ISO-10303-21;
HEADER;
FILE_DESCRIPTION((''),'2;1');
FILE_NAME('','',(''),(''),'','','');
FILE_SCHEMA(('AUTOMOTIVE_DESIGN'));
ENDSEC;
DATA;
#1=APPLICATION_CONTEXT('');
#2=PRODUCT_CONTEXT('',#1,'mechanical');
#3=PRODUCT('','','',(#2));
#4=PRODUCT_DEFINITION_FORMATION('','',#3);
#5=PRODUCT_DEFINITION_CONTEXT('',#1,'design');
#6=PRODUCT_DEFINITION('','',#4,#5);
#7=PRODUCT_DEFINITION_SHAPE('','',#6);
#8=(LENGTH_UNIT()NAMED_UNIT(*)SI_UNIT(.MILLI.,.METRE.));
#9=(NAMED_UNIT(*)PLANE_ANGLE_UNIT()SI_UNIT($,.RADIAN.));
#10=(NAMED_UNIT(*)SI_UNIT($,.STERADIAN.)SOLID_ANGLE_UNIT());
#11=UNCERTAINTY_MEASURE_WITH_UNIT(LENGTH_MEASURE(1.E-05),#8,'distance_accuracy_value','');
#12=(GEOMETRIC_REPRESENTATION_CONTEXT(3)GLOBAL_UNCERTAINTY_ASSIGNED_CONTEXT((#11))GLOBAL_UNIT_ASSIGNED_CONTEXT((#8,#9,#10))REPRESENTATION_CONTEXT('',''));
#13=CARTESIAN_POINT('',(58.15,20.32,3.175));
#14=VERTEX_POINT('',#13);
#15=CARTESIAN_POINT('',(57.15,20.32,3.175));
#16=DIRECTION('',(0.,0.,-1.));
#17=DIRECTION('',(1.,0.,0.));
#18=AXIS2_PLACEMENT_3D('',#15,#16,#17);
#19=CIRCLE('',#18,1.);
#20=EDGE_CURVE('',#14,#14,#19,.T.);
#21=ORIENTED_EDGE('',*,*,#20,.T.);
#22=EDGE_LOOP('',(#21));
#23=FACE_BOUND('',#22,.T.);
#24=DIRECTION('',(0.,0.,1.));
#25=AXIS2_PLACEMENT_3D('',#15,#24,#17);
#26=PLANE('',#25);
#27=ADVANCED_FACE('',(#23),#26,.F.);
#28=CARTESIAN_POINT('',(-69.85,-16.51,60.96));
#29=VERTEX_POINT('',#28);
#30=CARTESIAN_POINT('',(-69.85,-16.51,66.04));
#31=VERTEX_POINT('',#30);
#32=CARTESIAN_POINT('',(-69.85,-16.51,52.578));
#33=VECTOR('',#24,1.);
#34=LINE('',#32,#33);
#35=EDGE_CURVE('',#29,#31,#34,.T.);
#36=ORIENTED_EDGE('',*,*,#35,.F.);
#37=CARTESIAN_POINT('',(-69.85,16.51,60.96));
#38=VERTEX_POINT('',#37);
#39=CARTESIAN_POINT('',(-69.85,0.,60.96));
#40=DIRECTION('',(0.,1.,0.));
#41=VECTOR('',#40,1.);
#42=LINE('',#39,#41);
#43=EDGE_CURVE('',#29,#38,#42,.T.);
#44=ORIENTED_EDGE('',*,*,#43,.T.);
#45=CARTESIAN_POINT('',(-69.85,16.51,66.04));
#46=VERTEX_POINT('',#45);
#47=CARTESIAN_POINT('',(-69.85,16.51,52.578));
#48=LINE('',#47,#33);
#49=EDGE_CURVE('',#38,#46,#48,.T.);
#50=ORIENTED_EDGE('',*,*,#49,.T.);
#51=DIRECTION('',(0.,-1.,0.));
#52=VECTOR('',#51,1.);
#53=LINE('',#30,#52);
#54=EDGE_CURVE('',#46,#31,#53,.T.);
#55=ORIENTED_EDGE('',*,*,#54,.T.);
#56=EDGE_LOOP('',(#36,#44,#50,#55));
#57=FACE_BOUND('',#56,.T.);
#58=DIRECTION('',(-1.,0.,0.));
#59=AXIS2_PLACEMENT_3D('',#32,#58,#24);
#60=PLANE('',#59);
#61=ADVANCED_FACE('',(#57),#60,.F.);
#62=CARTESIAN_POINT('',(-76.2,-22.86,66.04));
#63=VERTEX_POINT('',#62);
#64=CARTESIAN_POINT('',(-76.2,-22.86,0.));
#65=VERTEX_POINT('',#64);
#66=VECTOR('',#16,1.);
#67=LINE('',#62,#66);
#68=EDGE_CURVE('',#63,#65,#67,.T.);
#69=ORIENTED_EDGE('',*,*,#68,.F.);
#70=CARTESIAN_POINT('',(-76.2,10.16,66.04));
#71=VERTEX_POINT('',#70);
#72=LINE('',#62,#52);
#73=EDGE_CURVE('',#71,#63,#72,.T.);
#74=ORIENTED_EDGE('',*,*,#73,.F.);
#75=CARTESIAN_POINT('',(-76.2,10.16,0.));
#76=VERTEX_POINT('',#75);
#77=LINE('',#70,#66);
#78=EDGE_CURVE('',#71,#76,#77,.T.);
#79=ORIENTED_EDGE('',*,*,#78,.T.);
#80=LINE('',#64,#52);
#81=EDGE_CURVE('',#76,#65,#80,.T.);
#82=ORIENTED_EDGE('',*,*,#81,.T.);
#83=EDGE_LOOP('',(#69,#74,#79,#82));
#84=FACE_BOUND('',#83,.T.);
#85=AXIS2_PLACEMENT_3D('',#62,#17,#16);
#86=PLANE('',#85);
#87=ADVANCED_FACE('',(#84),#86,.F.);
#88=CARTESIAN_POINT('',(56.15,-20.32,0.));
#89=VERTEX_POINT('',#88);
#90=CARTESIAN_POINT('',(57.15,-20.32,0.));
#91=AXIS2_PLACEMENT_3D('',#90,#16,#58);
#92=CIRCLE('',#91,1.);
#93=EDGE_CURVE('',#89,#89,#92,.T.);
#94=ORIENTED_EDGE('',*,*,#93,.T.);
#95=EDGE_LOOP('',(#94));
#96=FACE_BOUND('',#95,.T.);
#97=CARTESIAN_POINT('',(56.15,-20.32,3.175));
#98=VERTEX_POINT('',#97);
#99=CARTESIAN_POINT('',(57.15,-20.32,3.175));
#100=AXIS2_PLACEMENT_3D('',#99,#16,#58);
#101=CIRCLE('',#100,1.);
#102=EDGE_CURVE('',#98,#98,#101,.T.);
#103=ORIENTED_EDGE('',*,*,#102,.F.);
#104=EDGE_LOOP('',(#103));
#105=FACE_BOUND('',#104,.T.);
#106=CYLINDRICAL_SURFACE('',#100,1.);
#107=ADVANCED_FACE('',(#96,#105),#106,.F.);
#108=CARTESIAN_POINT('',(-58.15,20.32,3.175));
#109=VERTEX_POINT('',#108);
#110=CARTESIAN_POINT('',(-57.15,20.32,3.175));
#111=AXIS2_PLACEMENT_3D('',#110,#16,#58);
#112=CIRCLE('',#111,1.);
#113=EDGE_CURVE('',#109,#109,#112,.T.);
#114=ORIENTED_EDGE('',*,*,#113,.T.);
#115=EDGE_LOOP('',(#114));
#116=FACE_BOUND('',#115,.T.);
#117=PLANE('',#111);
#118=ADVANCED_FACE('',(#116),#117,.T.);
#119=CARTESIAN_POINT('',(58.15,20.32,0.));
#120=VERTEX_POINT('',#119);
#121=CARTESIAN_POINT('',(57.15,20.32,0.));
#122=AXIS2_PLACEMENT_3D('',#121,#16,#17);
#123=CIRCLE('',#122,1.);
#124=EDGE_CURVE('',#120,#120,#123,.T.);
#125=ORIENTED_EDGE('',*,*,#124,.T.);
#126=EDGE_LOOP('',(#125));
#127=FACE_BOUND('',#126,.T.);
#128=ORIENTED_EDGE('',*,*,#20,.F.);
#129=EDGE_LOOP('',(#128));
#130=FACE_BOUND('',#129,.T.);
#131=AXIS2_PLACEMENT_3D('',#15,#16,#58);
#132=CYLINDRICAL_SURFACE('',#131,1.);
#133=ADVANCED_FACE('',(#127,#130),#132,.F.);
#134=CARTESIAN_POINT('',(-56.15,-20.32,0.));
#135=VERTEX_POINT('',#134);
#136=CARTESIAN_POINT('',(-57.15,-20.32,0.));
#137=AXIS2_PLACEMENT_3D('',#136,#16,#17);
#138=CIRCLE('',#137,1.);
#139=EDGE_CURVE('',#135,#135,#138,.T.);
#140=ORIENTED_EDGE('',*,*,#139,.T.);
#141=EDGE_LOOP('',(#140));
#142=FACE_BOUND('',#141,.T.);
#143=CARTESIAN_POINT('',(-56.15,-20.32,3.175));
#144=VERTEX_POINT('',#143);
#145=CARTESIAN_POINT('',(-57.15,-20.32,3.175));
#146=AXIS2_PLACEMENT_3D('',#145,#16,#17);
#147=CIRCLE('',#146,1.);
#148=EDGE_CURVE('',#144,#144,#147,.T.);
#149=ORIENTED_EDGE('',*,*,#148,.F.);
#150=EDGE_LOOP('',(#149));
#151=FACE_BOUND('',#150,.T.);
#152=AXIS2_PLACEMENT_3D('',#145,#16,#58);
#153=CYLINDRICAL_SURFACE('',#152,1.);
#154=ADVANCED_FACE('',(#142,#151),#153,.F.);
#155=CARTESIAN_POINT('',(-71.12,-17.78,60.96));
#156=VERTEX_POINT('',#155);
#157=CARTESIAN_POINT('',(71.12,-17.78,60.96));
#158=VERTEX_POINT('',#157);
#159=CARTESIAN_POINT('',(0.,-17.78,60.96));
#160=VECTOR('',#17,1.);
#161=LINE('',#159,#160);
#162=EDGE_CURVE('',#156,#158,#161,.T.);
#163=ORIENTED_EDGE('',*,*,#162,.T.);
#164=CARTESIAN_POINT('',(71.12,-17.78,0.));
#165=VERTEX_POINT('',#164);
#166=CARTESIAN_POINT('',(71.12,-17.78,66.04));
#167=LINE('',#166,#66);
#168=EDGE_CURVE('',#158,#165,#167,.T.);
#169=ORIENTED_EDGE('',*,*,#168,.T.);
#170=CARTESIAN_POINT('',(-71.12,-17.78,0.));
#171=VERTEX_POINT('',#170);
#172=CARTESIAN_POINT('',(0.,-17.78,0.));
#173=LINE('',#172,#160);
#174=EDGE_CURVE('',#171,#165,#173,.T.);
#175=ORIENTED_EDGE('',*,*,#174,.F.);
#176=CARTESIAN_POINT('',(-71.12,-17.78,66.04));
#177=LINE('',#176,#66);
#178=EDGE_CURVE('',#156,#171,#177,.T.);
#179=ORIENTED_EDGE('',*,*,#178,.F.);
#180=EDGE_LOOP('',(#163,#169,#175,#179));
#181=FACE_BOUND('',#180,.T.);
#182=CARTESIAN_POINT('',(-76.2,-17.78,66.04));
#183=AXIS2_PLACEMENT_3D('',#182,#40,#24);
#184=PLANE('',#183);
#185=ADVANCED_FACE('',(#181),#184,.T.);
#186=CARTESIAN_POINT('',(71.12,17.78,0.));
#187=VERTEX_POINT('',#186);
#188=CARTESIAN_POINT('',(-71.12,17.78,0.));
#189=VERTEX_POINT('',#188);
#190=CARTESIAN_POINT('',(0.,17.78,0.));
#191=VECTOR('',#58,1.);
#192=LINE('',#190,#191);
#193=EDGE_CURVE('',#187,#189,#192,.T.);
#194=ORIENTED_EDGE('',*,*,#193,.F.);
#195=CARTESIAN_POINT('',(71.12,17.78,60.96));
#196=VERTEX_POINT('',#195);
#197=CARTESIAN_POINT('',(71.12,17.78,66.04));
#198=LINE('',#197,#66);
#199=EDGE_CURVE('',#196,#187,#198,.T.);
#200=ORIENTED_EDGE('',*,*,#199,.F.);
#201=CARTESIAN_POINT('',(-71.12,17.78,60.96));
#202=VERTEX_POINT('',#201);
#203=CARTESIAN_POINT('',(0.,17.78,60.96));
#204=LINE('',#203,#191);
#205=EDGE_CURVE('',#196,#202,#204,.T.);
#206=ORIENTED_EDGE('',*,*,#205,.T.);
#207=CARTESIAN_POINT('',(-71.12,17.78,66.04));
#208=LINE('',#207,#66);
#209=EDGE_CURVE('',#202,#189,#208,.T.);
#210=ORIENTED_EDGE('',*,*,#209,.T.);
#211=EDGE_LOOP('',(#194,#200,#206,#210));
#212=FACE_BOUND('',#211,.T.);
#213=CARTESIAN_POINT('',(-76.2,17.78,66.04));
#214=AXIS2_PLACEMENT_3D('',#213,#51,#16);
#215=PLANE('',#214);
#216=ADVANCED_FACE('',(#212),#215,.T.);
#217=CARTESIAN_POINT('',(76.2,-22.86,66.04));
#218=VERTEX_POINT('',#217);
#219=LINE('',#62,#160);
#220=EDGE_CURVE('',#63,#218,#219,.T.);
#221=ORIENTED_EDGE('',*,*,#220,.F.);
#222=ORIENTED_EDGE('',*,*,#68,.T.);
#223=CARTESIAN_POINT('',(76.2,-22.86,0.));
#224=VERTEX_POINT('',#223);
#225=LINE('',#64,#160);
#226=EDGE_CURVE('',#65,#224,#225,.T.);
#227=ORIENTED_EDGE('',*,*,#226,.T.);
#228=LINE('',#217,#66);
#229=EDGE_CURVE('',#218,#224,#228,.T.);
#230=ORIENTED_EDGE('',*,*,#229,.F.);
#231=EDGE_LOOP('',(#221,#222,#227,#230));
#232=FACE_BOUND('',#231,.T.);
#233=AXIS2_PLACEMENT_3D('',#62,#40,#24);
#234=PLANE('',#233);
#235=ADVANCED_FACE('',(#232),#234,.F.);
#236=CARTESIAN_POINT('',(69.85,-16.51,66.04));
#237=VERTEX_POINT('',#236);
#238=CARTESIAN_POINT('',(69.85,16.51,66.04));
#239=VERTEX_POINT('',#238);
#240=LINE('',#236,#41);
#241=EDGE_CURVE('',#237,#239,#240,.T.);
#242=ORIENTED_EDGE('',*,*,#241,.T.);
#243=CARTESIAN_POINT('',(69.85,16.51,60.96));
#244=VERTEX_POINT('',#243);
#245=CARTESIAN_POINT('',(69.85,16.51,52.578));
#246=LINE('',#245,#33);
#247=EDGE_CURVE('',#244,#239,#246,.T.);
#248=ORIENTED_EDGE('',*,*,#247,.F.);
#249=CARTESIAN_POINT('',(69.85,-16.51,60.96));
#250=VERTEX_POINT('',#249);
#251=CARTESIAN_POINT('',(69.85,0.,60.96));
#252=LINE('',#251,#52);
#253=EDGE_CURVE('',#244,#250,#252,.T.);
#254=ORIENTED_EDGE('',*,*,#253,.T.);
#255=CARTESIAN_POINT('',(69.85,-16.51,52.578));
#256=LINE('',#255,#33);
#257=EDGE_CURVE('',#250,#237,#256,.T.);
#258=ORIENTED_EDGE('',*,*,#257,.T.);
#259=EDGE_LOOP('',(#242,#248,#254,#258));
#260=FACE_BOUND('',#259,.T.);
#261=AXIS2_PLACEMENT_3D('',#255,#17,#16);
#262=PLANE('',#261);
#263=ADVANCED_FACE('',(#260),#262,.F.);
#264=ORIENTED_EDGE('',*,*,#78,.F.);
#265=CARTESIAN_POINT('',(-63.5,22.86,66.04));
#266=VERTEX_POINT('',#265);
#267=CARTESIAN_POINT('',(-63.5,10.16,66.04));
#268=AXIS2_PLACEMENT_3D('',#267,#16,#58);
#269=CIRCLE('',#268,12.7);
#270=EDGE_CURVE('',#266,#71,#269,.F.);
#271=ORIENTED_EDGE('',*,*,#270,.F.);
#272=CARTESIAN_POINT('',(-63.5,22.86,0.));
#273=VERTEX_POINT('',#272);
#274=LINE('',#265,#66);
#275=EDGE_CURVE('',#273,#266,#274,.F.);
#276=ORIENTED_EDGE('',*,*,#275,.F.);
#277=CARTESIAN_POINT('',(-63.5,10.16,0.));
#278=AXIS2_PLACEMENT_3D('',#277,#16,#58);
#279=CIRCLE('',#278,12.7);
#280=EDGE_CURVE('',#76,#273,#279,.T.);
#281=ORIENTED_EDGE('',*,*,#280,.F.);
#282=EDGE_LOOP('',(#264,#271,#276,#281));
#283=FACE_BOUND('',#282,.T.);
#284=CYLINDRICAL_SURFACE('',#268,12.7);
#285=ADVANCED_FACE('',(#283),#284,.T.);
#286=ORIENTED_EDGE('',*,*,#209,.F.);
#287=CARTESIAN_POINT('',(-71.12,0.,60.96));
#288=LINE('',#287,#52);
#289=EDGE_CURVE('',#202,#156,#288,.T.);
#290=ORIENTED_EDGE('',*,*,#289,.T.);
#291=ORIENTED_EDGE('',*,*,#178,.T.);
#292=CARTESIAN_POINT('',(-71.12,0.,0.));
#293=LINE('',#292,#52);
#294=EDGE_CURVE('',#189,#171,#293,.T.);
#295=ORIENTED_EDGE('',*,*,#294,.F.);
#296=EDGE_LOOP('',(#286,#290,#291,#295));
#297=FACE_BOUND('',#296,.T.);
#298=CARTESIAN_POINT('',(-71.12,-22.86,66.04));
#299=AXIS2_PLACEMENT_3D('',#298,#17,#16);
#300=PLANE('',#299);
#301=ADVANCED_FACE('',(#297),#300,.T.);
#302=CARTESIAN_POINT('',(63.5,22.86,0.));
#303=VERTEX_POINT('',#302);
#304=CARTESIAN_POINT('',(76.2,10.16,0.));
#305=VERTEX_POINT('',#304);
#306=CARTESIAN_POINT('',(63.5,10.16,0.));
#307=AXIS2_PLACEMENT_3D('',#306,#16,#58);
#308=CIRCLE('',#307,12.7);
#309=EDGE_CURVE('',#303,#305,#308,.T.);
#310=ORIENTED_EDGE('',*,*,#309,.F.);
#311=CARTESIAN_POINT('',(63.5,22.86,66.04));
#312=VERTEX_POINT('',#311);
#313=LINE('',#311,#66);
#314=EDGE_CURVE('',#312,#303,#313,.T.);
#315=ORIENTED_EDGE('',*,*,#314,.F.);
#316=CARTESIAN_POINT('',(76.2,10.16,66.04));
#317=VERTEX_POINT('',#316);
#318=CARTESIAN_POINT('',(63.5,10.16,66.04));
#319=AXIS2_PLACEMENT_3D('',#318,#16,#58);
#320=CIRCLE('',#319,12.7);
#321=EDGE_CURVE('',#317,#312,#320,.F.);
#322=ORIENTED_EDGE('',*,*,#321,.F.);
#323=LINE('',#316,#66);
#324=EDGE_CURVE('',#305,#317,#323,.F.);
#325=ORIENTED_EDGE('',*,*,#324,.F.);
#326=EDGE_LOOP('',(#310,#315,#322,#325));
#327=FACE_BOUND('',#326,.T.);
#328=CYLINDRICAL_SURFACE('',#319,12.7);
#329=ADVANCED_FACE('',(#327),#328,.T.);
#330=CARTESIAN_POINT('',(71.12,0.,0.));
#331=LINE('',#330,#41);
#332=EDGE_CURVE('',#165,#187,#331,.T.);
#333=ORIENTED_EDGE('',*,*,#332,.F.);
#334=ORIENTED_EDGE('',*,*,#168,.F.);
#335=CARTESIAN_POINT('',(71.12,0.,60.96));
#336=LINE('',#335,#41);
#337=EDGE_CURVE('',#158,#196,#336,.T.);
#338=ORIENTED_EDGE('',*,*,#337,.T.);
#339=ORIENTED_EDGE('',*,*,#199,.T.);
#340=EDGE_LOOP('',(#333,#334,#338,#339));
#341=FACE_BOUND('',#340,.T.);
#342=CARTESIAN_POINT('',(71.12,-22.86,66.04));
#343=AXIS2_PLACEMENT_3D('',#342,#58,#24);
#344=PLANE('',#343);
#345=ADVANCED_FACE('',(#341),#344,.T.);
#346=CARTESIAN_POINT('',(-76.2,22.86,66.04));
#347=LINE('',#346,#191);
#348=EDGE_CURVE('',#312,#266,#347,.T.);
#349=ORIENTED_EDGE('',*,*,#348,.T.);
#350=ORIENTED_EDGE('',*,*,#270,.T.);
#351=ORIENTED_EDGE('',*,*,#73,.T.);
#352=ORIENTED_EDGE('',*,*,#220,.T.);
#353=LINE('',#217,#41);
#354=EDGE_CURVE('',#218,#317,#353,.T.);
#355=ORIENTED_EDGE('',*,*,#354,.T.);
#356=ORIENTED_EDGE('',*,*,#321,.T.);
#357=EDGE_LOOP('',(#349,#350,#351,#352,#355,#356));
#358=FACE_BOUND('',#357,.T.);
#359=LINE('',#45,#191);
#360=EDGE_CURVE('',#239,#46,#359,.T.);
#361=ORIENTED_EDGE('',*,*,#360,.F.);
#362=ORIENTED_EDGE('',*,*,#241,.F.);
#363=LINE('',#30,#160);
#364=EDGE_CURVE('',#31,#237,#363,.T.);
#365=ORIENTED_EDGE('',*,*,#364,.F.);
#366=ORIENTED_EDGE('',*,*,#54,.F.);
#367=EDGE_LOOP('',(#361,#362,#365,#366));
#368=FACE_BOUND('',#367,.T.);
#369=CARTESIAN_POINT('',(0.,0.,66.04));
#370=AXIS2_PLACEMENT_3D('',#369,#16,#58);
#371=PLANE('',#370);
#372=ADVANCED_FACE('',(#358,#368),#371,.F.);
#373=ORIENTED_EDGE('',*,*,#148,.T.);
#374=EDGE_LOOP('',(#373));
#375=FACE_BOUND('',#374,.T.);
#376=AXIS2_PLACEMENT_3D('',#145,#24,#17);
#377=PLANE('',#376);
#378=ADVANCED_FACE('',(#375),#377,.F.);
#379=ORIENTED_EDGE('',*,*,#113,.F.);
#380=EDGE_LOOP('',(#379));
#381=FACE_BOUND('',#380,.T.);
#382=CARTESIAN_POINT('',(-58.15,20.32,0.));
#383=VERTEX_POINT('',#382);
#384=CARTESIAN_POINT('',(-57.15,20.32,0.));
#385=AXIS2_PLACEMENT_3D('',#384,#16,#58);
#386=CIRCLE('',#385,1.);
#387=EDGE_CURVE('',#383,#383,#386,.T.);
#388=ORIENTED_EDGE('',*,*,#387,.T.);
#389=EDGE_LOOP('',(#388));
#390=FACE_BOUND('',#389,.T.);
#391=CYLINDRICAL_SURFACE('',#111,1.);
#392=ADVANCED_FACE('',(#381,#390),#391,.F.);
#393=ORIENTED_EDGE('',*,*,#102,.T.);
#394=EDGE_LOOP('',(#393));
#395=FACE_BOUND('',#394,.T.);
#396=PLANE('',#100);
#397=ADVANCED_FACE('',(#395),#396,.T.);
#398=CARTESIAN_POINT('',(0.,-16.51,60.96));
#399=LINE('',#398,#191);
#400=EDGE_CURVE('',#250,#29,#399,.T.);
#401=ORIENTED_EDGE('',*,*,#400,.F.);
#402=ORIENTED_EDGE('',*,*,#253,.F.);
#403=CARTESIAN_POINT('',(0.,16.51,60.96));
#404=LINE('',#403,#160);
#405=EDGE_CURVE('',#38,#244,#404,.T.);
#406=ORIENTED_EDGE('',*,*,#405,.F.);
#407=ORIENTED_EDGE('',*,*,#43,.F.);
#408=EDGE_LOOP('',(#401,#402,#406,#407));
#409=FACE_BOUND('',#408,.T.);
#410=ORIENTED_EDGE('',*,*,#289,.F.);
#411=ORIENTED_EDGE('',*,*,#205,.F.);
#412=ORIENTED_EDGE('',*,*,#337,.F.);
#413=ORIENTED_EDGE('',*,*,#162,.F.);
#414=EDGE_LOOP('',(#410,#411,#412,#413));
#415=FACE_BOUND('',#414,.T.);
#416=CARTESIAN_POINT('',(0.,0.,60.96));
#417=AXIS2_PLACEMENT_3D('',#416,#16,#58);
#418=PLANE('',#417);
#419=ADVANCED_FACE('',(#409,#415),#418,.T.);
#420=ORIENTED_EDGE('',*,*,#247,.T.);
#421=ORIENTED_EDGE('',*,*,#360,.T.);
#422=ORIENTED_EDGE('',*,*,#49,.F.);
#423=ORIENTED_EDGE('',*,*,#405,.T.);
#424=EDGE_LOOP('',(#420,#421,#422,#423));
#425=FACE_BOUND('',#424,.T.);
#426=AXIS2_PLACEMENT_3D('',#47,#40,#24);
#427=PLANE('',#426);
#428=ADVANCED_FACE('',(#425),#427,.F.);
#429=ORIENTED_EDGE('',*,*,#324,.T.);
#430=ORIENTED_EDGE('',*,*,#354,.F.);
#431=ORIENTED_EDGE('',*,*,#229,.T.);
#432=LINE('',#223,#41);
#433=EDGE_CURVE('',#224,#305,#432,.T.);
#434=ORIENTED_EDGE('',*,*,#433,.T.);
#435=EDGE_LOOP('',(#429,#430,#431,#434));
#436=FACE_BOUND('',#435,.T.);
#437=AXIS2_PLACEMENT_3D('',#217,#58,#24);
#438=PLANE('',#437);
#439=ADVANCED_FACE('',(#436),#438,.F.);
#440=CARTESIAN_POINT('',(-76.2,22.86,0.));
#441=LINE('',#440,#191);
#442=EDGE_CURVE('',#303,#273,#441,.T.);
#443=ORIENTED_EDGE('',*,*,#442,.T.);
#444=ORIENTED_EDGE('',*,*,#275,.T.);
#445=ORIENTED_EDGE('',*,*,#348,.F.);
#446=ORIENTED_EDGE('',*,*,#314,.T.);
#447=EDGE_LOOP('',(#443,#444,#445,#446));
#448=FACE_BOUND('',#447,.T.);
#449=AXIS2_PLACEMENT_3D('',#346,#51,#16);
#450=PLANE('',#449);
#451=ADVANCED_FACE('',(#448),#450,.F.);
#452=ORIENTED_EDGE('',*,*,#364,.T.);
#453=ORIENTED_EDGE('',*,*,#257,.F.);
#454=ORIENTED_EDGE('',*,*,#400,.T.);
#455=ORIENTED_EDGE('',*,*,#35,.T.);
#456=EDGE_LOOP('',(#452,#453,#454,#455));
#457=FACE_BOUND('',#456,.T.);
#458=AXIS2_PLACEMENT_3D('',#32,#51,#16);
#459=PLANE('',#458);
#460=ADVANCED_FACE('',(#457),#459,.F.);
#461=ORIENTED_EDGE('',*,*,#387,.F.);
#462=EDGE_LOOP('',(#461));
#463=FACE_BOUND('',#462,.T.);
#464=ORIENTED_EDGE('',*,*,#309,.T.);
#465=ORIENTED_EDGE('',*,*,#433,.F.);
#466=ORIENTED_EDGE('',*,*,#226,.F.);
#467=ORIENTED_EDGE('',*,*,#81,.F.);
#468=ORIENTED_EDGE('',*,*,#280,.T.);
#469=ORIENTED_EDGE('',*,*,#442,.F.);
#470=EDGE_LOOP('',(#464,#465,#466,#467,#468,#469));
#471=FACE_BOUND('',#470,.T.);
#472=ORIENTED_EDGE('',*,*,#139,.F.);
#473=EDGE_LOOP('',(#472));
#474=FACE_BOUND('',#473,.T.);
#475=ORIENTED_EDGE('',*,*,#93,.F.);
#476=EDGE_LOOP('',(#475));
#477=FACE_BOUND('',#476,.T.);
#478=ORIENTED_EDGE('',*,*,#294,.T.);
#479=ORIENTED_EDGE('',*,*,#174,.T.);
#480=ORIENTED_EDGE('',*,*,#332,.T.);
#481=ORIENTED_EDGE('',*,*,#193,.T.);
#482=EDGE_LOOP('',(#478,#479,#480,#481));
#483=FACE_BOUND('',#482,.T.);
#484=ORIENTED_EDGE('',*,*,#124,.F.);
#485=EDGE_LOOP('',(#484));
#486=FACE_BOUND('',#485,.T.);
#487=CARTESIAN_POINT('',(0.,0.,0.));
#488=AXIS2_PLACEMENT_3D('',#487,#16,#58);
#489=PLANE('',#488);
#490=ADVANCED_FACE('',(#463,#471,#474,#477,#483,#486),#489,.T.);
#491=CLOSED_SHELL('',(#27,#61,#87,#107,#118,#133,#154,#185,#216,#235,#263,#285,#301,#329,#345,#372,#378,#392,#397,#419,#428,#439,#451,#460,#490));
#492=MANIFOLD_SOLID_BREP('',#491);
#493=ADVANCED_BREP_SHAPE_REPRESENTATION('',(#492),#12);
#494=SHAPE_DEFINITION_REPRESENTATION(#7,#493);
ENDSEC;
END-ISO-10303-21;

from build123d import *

# Parameters (mm, degrees)
SKETCH1_W           = 152.4
SKETCH1_H           = 45.72
BOSS_EXTRUDE2_DEPTH = 66.04
SHELL1_T            = -5.08
SKETCH2_W           = 139.7
SKETCH2_H           = 33.02
CUT_EXTRUDE1_DEPTH  = 13.462
FILLET1_R           = 12.7
SKETCH4_R           = 1
CUT_EXTRUDE2_DEPTH  = 3.175


with BuildPart() as part:
    # Sketch1 → Boss-Extrude2 (new body)
    with BuildSketch(Plane.XY):
        Rectangle(SKETCH1_W, SKETCH1_H)
    extrude(amount=BOSS_EXTRUDE2_DEPTH)

    # Shell1
    shell1_openings = [part.faces().sort_by_distance(p)[0] for p in [
        (0, 0, 0),
    ]]
    offset(amount=SHELL1_T, openings=shell1_openings, kind=Kind.INTERSECTION)

    # Sketch2 → Cut-Extrude1 (cut)
    with BuildSketch(Plane.XY.offset(66.04)):
        Rectangle(SKETCH2_W, SKETCH2_H)
    extrude(amount=-CUT_EXTRUDE1_DEPTH, mode=Mode.SUBTRACT)

    # Fillet1
    fillet1_edges = [part.edges().sort_by_distance(p)[0] for p in [
        (-76.2, 22.86, 33.02),
        (76.2, 22.86, 33.02),
    ]]
    fillet(fillet1_edges, radius=FILLET1_R)

    # Sketch4 → Cut-Extrude2 (cut)
    with BuildSketch(Plane(origin=(0, 0, 0), x_dir=(-1, 0, 0), z_dir=(0, 0, -1))):
        with Locations((-57.15, -20.32)):
            Circle(SKETCH4_R)
        with Locations((-57.15, 20.32)):
            Circle(SKETCH4_R)
        with Locations((57.15, 20.32)):
            Circle(SKETCH4_R)
        with Locations((57.15, -20.32)):
            Circle(SKETCH4_R)
    extrude(amount=-CUT_EXTRUDE2_DEPTH, mode=Mode.SUBTRACT)


solid = part.part
